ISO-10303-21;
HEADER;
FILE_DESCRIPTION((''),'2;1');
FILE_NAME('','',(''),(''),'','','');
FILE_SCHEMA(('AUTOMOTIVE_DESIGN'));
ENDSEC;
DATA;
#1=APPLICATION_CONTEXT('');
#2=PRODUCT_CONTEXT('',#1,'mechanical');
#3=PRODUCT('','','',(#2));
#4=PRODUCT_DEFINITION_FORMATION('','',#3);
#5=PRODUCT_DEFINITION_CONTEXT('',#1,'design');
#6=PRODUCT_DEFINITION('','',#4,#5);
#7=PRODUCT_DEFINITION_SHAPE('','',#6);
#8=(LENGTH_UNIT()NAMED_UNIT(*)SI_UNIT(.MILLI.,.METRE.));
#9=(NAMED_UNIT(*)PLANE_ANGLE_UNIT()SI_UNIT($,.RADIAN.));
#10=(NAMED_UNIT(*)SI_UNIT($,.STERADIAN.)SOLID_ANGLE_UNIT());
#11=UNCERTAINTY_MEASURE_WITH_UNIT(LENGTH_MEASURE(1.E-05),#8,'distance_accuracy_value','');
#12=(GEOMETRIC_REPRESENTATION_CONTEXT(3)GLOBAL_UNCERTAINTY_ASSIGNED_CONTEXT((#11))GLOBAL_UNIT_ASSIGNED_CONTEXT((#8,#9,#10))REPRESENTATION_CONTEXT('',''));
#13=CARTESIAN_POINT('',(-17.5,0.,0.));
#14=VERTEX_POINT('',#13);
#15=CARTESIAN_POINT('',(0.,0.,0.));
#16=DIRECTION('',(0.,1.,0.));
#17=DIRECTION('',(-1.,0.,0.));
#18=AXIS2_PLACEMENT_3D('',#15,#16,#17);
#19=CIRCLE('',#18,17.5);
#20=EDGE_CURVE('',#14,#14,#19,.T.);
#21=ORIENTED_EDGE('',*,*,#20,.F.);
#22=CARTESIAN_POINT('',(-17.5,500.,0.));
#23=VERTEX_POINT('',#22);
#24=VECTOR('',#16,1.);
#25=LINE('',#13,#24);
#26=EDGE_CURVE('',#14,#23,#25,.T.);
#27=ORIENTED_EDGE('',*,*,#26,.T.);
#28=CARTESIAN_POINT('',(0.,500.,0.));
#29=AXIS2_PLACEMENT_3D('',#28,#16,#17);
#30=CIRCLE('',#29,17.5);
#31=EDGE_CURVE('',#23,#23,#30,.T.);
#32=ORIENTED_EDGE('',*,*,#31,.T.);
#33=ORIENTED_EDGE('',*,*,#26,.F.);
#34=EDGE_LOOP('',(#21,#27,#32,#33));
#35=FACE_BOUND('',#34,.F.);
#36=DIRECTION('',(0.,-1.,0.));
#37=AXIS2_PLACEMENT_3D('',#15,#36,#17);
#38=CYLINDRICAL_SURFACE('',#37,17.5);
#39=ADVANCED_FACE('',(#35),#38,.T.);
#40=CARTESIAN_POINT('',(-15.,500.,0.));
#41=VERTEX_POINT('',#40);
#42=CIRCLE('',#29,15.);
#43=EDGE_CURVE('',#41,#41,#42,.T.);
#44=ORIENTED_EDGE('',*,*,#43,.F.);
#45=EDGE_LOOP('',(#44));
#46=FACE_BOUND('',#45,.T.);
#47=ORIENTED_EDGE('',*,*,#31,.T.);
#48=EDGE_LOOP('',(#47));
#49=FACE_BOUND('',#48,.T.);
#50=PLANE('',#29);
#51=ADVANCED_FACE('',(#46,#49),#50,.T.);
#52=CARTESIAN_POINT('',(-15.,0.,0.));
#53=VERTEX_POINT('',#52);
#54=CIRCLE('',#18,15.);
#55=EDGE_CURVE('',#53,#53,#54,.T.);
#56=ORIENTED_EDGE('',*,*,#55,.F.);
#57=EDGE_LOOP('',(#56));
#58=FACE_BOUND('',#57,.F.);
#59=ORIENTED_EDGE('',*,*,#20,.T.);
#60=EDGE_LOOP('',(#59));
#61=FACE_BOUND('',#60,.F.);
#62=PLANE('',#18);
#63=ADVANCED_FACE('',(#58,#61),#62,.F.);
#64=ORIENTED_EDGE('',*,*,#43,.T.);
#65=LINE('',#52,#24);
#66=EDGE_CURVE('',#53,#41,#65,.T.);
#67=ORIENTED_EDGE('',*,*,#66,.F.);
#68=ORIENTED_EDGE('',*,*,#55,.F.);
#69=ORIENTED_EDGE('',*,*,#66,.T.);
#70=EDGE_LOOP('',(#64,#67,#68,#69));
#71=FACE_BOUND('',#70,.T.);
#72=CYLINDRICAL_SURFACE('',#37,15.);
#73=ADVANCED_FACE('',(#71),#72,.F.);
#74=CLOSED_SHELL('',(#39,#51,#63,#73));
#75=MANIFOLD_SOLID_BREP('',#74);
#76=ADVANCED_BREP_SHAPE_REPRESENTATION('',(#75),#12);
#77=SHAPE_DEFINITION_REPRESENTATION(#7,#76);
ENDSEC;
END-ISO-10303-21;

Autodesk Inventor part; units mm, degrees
ref_plane "XZ Plane" through (0, 0, 0) normal (0, 1, 0) x (-1, 0, 0)
ref_plane "XY Plane" through (0, 0, 0) normal (0, 0, 1) x (1, 0, 0)
sketch "Sketch1" plane through (0, 0, 0) normal (0, 1, 0) x (-1, 0, 0)
  circle A0 centre (0, 0) radius 17.5
  circle A1 centre (0, 0) radius 15
  dimension "d0" = 35
  dimension "d3" = 30
extrude "Extrusion1" add sketch "Sketch1" along normal blind 500
properties part number "CH_01_0046_arm"
